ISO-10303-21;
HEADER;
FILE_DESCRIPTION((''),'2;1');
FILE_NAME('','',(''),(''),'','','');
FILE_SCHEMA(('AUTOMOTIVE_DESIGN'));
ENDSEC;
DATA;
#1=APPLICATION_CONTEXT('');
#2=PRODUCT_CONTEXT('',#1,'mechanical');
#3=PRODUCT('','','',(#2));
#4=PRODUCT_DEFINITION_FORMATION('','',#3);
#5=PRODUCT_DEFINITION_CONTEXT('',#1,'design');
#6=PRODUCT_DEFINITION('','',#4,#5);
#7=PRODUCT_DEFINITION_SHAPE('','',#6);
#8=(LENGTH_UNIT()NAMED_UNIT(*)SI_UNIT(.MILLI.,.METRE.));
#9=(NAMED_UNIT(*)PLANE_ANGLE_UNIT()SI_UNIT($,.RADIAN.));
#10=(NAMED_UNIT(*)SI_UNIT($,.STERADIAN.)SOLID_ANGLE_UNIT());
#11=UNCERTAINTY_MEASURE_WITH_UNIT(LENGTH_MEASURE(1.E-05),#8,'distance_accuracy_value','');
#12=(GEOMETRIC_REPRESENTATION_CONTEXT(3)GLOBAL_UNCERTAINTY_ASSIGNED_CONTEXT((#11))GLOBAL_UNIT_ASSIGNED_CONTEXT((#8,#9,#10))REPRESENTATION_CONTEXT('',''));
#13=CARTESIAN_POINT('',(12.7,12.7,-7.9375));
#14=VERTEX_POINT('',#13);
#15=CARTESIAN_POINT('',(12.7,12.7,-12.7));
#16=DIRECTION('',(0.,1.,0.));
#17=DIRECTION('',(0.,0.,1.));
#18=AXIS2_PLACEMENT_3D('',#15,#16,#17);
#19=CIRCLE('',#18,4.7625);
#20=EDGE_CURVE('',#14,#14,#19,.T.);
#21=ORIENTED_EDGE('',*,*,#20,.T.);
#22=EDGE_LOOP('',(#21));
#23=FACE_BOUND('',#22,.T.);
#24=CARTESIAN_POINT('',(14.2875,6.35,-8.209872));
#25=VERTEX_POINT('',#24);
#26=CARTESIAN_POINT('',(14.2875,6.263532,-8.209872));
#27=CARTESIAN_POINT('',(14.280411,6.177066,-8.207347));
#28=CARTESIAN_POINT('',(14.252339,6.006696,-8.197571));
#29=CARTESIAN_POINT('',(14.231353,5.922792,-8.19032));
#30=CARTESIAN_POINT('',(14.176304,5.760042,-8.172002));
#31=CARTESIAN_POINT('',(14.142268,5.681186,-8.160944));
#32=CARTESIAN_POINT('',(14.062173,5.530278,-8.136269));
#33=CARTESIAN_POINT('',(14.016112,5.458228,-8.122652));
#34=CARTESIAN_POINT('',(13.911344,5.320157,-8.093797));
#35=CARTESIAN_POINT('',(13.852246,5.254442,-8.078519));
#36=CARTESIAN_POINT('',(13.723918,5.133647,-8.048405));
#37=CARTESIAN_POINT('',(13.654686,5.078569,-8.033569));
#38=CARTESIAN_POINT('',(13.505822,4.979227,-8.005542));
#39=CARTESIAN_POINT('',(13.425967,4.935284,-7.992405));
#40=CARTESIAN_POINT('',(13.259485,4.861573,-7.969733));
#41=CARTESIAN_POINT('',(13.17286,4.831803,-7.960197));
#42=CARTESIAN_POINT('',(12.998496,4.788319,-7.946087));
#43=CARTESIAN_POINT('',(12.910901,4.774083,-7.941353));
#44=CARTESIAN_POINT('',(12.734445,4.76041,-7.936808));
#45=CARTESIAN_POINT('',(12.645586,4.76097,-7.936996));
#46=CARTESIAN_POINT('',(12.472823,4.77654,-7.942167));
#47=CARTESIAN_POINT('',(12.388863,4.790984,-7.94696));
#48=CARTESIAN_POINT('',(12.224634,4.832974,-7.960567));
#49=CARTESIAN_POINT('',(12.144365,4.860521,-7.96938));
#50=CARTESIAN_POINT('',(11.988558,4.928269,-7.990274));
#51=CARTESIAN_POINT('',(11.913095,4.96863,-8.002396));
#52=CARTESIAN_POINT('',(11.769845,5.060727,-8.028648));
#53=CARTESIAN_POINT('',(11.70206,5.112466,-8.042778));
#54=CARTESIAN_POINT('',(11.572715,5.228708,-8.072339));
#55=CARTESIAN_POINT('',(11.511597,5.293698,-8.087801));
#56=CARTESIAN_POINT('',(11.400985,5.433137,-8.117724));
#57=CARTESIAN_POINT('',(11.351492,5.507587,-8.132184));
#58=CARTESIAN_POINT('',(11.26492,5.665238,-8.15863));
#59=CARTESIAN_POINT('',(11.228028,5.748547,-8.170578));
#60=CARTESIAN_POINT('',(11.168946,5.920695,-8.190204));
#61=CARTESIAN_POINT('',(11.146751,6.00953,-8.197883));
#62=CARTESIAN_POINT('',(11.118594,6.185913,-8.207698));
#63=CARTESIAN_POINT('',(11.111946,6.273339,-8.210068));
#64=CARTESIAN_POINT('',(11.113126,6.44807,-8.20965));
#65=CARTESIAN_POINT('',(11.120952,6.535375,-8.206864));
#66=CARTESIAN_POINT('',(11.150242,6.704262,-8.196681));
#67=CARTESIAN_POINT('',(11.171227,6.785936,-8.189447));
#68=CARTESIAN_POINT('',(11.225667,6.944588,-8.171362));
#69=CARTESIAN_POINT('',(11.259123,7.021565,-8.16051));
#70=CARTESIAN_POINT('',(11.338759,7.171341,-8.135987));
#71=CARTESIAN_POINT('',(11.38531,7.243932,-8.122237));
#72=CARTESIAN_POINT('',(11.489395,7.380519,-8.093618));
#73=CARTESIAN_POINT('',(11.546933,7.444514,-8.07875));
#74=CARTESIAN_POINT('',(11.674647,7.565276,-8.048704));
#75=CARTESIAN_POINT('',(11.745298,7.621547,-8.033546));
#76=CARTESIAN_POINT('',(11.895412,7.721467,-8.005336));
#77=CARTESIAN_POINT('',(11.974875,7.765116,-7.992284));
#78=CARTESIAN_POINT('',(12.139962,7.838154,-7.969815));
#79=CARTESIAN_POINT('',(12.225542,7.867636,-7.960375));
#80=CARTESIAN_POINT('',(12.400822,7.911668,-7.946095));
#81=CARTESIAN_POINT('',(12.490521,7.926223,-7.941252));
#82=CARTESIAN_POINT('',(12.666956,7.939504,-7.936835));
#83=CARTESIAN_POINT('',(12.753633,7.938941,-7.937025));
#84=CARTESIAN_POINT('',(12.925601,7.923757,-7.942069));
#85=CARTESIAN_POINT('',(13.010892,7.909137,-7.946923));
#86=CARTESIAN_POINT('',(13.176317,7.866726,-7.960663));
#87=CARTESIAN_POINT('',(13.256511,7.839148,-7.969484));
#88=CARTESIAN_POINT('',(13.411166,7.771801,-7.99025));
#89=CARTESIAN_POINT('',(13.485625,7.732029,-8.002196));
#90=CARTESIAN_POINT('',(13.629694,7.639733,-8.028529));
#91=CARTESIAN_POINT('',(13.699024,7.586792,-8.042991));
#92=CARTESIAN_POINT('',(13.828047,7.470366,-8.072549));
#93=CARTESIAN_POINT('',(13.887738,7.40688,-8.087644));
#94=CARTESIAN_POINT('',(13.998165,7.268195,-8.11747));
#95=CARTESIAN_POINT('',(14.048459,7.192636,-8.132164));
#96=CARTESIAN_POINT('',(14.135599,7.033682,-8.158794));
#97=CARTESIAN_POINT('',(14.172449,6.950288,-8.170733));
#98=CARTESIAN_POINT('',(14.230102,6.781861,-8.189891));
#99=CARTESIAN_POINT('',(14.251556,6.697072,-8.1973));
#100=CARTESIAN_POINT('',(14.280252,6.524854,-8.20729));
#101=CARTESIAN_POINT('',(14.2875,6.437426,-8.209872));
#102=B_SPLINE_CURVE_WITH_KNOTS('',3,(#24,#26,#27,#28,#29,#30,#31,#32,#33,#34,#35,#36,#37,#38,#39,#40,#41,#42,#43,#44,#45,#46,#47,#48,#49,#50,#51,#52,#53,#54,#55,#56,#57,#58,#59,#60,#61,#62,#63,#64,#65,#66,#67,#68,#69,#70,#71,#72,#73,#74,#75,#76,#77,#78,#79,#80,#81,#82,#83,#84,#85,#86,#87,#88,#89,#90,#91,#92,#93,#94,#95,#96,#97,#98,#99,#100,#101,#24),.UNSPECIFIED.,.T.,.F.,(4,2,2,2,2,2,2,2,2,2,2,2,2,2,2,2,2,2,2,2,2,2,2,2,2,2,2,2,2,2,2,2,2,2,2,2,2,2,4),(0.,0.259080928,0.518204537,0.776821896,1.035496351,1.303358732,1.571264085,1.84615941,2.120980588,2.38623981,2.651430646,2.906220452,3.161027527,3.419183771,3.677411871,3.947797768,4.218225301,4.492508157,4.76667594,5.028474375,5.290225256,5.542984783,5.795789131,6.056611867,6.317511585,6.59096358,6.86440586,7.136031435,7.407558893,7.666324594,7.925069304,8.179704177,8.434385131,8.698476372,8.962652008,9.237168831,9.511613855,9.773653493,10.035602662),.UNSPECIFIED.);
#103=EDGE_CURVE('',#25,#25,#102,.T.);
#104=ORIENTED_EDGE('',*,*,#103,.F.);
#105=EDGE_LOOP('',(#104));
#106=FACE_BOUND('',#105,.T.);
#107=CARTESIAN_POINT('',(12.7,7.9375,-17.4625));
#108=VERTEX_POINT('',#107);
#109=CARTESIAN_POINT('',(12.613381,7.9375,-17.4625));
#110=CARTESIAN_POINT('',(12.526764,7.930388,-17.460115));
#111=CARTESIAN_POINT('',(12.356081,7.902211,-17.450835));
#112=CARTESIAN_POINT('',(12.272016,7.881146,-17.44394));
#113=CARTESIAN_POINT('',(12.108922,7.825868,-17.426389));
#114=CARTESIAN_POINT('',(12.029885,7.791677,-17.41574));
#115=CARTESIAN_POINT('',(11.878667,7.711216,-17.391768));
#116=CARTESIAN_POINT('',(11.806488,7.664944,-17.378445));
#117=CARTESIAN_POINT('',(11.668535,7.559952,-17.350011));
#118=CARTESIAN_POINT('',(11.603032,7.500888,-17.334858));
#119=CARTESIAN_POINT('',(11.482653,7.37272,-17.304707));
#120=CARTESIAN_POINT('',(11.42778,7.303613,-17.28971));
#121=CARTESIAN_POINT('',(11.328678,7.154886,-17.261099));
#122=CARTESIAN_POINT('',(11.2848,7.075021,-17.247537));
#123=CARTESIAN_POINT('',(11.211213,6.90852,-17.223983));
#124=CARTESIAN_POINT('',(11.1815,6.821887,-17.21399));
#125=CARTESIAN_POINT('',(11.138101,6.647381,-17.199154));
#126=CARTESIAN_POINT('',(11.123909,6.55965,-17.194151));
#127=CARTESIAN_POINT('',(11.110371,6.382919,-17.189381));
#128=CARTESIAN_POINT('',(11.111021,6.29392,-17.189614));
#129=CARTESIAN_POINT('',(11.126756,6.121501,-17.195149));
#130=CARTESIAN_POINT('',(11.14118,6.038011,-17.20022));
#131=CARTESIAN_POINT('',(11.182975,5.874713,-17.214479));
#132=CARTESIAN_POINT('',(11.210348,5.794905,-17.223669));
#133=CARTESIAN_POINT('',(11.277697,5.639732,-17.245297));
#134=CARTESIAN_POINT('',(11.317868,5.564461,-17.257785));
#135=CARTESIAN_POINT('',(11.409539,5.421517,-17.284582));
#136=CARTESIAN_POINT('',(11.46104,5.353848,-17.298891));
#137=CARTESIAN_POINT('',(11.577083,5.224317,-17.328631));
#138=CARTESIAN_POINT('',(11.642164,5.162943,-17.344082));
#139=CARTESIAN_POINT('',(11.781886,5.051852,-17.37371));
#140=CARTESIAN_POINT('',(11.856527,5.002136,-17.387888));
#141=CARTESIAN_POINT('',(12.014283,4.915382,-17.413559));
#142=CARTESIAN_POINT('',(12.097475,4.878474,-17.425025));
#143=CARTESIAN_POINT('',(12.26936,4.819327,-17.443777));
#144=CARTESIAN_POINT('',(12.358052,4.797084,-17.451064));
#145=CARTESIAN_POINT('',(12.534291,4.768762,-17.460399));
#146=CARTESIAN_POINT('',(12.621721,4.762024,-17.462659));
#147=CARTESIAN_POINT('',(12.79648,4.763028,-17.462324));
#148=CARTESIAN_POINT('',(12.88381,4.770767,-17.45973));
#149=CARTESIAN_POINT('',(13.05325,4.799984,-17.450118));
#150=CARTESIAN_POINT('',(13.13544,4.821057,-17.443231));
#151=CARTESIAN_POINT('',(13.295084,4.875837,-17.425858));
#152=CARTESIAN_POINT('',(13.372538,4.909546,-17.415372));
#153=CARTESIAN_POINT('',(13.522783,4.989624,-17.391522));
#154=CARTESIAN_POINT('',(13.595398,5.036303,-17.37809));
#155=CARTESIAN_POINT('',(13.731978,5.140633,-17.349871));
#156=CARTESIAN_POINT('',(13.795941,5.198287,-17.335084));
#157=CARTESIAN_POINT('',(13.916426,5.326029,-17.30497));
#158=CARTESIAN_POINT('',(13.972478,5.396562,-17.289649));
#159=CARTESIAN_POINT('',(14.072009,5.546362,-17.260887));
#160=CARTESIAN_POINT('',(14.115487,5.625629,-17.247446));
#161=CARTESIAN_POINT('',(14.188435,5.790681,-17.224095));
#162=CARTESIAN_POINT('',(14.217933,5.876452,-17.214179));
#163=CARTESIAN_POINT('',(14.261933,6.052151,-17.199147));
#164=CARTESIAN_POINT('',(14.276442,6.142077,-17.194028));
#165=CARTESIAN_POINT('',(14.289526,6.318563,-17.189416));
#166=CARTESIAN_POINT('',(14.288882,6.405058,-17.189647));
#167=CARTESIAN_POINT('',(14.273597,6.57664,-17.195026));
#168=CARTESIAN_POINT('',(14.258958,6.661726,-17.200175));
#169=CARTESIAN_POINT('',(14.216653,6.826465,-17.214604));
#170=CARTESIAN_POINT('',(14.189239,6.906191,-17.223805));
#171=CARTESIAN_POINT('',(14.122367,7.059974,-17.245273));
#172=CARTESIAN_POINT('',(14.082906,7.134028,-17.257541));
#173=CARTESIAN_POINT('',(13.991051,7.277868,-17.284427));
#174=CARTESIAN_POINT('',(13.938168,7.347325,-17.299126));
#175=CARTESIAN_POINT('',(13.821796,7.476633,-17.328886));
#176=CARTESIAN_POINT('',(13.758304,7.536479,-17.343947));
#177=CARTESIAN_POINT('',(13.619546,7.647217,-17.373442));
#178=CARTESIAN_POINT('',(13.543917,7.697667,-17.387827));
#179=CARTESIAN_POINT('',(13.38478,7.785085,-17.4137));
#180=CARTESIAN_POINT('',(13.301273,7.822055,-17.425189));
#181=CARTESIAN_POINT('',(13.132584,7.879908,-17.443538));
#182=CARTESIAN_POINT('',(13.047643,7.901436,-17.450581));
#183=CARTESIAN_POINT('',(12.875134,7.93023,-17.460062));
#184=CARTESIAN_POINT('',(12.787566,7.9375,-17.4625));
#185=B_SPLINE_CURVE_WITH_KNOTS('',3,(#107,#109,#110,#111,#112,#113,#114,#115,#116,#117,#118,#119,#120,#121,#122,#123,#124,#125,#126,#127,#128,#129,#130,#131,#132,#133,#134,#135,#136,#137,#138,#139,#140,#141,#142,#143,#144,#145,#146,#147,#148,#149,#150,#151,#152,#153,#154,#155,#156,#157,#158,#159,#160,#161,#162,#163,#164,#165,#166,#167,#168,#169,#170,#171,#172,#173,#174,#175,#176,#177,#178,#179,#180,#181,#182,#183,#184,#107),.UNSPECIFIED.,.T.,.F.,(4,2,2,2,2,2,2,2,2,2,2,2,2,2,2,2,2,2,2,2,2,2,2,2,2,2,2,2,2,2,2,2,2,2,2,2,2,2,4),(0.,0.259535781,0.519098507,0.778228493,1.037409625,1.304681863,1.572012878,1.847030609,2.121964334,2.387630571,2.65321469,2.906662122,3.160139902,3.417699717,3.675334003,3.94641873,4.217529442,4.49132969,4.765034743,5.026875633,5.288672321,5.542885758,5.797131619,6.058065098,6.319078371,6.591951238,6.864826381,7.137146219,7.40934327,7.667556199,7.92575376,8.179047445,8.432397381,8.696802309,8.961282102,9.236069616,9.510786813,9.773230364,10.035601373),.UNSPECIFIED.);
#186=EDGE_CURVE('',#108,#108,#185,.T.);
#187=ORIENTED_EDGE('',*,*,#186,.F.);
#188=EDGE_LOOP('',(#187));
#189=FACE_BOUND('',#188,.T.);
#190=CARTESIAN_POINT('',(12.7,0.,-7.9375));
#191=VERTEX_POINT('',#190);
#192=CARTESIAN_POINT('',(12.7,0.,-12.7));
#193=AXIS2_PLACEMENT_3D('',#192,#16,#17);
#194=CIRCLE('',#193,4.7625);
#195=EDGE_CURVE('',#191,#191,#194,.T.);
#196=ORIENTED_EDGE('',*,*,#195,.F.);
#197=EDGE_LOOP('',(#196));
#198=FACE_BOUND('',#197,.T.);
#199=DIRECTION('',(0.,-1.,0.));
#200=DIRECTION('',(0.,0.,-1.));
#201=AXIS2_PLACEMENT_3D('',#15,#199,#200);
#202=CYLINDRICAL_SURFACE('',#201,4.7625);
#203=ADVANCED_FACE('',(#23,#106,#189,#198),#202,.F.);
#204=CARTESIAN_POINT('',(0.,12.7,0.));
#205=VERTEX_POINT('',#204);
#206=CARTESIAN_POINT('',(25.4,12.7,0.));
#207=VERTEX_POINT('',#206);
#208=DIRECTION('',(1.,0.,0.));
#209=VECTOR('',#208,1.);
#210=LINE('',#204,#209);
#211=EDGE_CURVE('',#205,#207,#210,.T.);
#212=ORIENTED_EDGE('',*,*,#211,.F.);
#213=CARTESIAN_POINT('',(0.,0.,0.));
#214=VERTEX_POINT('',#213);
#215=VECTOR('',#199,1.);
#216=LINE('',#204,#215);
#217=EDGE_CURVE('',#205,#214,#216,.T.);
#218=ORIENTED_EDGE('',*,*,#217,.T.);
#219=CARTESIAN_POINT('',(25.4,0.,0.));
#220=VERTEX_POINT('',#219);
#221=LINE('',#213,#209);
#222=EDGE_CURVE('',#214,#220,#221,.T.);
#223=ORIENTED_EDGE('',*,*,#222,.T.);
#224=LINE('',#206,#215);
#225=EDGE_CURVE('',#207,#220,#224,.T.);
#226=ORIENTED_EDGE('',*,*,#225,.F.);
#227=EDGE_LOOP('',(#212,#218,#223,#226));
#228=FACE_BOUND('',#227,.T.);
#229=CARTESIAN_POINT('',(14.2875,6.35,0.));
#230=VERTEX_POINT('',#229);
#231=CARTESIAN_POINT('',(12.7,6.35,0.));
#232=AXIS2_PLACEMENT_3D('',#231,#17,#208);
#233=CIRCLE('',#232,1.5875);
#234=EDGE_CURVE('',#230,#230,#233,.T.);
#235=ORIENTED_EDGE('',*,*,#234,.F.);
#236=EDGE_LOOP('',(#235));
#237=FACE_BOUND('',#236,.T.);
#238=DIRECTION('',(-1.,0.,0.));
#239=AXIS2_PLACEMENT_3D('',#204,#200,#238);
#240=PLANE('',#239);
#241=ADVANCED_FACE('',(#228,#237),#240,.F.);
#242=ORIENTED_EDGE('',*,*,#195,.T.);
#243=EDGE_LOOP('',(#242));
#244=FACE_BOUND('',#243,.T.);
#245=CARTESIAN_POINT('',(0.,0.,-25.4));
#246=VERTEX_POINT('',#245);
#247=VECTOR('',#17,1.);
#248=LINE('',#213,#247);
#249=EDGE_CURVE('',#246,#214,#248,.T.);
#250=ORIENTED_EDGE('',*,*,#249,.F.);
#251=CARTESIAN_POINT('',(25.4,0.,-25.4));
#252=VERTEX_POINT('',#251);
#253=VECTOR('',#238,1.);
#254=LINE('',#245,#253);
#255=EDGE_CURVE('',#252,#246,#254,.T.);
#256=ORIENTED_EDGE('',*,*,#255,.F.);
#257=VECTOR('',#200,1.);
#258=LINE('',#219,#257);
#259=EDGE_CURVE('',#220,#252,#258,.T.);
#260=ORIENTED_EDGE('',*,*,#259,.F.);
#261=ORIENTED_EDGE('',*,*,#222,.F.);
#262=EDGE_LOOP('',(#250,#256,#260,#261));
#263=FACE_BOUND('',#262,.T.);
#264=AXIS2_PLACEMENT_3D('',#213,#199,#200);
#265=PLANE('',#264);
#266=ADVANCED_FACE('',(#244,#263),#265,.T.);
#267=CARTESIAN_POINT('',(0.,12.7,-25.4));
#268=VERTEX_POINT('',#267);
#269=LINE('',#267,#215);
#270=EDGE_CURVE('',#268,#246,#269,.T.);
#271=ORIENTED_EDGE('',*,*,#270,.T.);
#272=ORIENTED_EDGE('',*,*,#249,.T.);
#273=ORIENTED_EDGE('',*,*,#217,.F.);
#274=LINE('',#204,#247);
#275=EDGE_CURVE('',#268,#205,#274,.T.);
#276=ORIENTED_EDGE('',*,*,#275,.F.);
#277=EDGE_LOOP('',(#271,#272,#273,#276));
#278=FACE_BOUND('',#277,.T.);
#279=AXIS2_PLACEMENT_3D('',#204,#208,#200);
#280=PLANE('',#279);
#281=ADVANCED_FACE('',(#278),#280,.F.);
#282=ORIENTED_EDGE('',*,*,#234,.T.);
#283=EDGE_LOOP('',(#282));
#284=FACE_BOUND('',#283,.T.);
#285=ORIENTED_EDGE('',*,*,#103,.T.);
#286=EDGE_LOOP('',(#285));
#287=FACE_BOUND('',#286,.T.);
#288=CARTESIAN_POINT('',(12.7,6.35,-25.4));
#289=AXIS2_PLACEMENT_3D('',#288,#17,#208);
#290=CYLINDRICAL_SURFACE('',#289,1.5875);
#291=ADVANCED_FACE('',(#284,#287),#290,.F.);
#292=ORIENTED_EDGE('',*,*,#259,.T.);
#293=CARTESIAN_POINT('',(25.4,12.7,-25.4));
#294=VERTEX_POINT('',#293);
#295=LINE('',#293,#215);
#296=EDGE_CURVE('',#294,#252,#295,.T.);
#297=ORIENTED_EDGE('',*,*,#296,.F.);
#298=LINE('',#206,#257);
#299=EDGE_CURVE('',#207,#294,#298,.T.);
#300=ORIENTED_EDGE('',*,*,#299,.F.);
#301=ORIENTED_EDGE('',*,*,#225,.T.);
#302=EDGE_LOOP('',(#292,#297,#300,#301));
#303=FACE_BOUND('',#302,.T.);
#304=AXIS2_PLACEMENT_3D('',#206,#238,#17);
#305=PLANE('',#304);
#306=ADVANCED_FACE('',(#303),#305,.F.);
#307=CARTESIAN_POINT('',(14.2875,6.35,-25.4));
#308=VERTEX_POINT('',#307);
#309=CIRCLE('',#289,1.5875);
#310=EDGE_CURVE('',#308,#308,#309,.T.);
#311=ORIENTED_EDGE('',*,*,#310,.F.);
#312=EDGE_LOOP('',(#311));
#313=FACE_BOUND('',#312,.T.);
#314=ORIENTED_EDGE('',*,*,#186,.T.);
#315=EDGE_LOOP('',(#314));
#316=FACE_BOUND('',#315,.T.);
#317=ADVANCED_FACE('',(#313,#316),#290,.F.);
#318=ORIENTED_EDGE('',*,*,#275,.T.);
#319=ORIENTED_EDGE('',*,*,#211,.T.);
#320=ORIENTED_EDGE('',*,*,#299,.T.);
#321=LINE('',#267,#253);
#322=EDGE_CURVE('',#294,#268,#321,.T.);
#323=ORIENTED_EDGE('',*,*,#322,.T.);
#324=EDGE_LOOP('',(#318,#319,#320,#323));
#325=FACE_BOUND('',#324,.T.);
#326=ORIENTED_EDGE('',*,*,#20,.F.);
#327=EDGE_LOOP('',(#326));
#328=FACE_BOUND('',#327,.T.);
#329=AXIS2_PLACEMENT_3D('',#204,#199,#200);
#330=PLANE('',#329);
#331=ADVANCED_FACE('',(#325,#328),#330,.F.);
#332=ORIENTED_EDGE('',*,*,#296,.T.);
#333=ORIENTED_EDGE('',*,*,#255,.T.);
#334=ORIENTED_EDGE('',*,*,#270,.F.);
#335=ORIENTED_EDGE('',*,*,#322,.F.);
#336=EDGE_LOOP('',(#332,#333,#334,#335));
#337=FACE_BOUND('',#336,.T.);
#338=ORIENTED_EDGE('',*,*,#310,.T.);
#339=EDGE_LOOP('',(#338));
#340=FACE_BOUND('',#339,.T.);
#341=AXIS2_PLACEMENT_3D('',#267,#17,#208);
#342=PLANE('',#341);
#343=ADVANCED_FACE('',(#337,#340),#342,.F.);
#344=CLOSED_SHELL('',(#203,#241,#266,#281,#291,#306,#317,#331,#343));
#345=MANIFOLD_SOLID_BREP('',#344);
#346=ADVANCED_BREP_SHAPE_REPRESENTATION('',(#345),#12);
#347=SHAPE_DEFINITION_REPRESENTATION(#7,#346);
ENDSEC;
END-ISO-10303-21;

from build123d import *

# Parameters (mm, degrees)
SKETCH1_W           = 25.4
SKETCH1_H           = 25.4
SKETCH1_R           = 4.7625
BOSS_EXTRUDE1_DEPTH = 12.7
SKETCH2_R           = 1.5875
CUT_EXTRUDE1_DEPTH  = 39.1


with BuildPart() as part:
    # Sketch1 → Boss-Extrude1 (new body)
    with BuildSketch(Plane(origin=(0, 0, 0), x_dir=(1, 0, 0), z_dir=(0, 1, 0))):
        with Locations((12.7, 12.7)):
            Rectangle(SKETCH1_W, SKETCH1_H)
        with Locations(Location((12.7, 12.7, 0), (0, 0, 270))):
            Circle(SKETCH1_R, mode=Mode.SUBTRACT)
    extrude(amount=BOSS_EXTRUDE1_DEPTH)

    # Sketch2 → Cut-Extrude1 (cut, through all)
    with BuildSketch(Plane.XY):
        with Locations((12.7, 6.35)):
            Circle(SKETCH2_R)
    extrude(amount=-CUT_EXTRUDE1_DEPTH, mode=Mode.SUBTRACT)


solid = part.part
